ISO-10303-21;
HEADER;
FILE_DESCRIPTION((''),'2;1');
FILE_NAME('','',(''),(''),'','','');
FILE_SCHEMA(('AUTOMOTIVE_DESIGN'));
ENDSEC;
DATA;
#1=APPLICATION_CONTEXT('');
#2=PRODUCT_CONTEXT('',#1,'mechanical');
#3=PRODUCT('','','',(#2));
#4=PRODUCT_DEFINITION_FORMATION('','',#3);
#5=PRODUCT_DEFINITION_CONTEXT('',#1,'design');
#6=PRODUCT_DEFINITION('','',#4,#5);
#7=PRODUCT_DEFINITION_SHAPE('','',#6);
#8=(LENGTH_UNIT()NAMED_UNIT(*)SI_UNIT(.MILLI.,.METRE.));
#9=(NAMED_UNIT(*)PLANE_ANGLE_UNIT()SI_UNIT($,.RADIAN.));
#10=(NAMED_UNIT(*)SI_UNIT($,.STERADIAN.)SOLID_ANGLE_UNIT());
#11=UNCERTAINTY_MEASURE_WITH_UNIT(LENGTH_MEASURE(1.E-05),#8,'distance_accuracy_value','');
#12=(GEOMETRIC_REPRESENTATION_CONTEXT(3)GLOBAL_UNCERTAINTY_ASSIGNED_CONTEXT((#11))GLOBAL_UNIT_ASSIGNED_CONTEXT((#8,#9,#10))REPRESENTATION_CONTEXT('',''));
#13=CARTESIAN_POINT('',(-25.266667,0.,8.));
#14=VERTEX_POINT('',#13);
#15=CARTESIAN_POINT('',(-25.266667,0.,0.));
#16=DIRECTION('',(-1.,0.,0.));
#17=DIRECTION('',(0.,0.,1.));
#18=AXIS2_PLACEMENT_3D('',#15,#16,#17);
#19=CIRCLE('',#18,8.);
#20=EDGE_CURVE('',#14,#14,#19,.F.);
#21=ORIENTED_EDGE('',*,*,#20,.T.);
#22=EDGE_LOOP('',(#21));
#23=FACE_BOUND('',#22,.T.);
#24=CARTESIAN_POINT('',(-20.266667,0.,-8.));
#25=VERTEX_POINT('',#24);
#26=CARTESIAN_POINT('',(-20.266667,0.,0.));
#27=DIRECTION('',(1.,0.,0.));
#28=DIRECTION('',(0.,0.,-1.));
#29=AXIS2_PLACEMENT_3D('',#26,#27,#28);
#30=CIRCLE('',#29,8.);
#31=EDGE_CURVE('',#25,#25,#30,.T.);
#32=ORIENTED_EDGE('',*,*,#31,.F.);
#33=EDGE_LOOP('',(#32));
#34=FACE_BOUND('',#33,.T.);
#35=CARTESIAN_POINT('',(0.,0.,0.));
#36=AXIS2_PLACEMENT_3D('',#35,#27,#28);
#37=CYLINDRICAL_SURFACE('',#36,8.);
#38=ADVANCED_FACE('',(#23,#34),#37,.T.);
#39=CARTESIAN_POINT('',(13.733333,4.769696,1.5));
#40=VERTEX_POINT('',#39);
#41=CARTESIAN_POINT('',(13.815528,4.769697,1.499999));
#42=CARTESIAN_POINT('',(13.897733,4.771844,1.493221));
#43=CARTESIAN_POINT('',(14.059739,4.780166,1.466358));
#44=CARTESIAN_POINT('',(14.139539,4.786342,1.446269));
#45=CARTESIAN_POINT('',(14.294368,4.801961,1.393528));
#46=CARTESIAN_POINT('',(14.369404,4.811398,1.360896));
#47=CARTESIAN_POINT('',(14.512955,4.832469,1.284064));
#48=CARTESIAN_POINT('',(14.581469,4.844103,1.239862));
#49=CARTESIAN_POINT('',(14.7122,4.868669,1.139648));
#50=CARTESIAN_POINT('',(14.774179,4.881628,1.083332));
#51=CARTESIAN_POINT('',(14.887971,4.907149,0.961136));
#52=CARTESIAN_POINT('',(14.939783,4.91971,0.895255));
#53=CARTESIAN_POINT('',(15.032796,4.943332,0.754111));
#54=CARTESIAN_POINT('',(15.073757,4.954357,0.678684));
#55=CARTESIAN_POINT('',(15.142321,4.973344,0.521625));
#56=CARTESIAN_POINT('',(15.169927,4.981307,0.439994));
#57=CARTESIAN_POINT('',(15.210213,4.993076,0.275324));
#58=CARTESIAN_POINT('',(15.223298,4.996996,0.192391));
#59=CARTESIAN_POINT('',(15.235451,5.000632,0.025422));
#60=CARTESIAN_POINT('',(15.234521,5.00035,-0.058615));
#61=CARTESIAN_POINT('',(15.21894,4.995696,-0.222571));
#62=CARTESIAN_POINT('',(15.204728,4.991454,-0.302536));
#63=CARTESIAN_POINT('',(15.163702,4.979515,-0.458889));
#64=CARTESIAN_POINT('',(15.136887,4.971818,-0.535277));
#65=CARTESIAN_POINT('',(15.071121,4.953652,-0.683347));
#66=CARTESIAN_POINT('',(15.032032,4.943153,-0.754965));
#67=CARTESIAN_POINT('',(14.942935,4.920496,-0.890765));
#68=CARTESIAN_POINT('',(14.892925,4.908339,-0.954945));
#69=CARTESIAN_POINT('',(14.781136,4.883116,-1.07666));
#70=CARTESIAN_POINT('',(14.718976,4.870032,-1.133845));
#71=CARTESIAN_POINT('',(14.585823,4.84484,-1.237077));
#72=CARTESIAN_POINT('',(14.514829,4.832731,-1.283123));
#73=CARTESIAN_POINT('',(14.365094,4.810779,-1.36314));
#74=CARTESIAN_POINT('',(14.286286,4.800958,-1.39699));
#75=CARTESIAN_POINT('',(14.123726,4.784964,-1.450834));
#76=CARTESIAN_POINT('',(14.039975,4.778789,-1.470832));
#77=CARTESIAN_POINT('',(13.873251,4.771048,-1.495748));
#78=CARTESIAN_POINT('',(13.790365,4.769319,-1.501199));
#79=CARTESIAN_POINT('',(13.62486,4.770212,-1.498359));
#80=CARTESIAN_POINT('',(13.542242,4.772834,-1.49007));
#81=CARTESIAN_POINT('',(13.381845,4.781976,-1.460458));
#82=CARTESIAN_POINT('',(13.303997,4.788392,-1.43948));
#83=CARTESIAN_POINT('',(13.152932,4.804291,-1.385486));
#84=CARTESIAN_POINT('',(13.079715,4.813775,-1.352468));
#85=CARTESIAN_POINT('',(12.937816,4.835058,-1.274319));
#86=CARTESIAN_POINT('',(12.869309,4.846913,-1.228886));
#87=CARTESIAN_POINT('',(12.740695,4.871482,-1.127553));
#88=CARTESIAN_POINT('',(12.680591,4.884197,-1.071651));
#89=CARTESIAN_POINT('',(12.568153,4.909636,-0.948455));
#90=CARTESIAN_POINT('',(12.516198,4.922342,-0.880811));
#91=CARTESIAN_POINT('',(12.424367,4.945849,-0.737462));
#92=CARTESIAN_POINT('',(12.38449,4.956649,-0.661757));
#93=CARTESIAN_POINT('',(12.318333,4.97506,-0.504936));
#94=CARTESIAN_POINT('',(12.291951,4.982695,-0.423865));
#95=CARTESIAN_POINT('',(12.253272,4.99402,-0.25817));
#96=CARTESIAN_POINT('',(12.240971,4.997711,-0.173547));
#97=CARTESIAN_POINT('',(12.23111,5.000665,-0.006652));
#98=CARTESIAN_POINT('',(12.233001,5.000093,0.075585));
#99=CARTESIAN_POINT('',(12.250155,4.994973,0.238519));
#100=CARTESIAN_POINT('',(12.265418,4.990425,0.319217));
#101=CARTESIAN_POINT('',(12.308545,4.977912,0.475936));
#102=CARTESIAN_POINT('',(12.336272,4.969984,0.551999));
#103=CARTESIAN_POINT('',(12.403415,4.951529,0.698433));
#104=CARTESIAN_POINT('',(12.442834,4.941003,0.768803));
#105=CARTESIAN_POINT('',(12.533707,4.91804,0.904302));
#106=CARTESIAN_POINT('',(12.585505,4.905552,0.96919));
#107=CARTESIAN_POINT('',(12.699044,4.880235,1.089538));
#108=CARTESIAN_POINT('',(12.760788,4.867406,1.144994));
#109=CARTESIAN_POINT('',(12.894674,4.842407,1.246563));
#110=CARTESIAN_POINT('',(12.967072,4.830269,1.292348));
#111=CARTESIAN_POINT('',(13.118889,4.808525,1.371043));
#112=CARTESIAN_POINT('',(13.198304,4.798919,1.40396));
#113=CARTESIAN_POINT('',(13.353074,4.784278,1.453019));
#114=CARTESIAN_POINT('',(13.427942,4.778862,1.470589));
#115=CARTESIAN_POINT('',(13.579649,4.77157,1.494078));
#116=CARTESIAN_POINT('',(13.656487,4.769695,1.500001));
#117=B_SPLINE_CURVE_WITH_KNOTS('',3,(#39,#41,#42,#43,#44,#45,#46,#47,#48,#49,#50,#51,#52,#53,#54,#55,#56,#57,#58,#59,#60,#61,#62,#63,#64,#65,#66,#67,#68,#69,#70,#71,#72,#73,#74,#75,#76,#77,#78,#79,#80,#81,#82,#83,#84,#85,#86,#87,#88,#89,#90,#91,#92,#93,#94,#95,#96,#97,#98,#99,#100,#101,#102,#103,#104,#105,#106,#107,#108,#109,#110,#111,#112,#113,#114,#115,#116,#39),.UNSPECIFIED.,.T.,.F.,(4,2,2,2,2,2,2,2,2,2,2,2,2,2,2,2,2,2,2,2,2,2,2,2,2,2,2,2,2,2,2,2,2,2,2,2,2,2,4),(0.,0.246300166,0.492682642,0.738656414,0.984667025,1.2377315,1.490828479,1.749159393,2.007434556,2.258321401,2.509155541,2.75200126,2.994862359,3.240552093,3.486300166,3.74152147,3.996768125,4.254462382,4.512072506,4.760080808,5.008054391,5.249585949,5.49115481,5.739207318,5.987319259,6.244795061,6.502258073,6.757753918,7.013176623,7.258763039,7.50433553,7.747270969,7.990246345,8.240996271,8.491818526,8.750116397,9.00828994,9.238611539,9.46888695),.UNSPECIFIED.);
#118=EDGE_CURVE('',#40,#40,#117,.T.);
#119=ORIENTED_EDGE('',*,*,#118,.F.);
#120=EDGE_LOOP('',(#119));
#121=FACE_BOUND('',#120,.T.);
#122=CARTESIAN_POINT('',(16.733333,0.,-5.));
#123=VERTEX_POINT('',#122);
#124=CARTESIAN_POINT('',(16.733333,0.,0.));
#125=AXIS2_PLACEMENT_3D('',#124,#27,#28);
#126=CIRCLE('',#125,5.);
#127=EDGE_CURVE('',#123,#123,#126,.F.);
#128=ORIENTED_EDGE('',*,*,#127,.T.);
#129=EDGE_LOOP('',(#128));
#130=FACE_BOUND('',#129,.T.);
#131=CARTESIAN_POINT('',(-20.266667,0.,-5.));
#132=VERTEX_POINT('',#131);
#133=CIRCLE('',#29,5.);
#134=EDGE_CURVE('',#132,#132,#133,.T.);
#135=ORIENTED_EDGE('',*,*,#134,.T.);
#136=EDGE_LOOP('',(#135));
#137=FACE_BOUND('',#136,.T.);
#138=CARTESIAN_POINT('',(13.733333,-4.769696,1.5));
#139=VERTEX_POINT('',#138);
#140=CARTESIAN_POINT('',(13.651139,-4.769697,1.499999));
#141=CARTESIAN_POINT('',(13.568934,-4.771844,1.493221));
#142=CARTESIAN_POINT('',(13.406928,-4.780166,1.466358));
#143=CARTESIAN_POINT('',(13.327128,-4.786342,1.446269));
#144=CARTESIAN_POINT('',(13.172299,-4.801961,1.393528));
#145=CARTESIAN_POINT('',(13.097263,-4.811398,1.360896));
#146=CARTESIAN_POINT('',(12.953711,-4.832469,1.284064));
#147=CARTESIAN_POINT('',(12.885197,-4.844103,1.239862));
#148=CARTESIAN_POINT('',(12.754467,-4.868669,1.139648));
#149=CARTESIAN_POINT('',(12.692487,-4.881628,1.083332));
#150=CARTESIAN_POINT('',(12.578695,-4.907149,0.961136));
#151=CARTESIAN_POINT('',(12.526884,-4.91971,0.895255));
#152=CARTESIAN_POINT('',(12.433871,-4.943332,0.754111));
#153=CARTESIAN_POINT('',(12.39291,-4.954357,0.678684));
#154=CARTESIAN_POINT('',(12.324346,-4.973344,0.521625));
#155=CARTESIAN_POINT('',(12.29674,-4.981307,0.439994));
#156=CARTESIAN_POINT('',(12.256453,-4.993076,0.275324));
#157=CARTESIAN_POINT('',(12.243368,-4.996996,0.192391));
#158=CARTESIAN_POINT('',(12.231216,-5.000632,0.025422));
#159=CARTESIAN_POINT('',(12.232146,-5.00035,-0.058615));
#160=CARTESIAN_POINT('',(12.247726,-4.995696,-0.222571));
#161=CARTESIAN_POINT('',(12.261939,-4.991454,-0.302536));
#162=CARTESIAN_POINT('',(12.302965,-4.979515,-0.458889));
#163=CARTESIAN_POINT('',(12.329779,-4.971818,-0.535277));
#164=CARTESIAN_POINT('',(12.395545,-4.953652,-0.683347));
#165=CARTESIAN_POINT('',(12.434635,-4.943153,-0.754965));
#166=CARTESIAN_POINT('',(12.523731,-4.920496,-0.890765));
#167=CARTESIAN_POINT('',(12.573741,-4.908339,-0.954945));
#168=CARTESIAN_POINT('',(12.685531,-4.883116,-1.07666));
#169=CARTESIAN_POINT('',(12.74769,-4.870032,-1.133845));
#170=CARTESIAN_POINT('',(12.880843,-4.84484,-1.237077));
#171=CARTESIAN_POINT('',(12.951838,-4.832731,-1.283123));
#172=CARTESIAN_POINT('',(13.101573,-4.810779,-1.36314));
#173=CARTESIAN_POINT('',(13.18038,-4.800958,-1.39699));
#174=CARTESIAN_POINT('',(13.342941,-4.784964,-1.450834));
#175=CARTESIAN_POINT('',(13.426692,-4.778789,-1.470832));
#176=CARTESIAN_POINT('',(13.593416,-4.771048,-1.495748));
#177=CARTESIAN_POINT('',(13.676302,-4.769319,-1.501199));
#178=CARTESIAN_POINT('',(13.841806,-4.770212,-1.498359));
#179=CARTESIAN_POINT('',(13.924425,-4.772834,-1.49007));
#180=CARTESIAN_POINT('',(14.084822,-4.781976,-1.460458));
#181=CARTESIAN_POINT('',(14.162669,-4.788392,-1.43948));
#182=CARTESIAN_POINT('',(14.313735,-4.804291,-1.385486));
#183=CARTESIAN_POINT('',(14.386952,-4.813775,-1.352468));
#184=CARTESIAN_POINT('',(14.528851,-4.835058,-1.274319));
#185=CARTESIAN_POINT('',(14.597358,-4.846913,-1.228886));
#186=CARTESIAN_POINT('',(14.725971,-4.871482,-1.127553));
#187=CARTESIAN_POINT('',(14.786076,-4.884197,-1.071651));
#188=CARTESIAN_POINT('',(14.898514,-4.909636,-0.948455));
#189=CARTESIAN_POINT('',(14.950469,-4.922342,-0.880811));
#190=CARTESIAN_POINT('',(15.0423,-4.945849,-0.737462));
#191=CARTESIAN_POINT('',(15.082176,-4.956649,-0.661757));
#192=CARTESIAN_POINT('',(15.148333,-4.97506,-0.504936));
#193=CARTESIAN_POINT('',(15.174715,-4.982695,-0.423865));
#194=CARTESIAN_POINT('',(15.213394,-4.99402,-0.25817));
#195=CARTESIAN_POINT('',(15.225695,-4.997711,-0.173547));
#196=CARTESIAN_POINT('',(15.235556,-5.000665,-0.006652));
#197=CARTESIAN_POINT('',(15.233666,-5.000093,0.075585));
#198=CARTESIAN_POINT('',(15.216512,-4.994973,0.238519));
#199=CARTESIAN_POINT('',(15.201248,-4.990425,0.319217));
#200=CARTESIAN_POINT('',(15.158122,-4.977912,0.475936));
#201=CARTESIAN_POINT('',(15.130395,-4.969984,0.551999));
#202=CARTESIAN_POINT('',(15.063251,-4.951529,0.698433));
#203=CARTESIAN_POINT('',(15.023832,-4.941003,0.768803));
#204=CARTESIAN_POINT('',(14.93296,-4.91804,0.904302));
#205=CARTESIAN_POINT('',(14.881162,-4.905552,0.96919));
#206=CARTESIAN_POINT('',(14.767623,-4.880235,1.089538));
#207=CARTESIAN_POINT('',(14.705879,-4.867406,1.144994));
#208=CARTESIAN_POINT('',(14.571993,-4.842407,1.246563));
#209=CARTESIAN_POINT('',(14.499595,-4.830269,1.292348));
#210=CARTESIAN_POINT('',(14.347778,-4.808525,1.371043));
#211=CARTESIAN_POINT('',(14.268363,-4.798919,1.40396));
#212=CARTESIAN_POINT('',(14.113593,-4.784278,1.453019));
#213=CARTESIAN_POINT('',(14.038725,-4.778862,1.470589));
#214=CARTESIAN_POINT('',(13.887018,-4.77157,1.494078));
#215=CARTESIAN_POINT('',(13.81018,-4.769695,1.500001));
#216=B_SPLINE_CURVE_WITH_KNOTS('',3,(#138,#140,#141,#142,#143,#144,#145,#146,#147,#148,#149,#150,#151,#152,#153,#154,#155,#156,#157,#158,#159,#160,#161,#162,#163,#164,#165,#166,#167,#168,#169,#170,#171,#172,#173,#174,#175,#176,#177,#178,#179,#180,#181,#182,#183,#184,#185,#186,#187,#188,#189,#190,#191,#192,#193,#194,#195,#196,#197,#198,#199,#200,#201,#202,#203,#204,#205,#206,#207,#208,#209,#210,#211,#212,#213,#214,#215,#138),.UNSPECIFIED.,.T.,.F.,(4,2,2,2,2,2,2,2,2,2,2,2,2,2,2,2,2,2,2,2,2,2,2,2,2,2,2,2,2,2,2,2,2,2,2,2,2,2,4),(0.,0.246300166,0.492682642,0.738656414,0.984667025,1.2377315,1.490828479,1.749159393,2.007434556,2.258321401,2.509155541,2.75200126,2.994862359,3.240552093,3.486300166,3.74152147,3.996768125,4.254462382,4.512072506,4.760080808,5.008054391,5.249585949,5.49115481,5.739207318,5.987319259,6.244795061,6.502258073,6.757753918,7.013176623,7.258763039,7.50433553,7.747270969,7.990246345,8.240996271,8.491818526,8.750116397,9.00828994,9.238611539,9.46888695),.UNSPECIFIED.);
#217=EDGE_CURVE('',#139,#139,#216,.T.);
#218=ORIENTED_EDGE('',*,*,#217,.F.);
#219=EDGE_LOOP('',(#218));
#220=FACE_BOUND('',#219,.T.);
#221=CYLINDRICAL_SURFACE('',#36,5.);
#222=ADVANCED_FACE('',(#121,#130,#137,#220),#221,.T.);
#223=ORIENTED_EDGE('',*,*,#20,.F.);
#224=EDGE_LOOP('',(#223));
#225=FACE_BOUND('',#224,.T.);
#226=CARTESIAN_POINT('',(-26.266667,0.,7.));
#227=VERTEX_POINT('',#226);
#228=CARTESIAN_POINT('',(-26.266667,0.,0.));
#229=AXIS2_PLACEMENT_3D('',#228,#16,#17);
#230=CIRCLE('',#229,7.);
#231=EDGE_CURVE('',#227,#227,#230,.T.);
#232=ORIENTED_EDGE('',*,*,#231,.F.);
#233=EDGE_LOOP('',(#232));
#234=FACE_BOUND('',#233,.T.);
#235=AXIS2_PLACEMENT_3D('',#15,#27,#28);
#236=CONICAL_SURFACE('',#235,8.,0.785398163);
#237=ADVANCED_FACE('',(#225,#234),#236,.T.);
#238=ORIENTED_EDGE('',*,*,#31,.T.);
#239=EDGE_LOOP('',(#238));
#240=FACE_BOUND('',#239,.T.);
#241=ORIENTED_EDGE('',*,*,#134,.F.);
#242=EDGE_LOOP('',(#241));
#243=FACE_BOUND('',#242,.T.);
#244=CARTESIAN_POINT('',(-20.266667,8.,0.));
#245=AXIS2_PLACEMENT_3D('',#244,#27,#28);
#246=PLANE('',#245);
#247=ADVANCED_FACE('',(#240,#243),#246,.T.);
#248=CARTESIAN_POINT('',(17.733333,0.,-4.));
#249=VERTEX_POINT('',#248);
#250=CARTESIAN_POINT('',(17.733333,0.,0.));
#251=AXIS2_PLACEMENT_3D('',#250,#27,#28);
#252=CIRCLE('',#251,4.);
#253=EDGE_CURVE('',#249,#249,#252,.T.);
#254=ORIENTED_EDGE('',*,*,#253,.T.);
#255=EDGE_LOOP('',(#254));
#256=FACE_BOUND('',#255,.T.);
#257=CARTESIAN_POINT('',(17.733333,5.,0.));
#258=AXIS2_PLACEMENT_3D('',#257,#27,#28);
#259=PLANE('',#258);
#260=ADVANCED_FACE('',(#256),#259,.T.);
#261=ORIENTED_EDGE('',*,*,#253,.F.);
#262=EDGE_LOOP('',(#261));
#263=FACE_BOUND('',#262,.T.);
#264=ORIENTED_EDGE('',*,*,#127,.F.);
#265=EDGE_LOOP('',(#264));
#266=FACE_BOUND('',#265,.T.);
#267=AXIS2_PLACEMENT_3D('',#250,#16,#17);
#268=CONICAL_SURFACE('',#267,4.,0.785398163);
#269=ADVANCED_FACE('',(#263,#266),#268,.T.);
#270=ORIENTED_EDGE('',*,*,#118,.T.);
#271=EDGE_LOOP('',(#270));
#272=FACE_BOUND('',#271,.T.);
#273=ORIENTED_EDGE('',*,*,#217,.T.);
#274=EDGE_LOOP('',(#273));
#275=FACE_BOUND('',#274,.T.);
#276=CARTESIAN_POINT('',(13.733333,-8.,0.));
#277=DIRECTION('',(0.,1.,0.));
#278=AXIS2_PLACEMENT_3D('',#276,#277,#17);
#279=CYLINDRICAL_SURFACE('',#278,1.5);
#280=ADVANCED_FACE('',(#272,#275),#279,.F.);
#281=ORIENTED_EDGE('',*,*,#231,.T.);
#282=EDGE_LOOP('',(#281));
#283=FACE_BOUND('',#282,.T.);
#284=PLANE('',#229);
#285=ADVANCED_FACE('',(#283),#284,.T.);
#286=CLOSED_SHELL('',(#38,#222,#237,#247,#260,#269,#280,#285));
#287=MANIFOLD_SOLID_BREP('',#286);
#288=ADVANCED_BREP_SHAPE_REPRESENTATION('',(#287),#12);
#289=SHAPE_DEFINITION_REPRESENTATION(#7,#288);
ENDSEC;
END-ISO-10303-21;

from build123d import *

# Parameters (mm, degrees)
CHAMFER_1_SIZE           = 1
CHAMFER_2_SIZE           = 1
CUT_EXTRUDE_2_DEPTH      = 29.599611497
CUT_EXTRUDE_2_DEPTH_BACK = 29.599611497
SKETCH_2_R               = 1.5


with BuildPart() as part:
    # 草图1 → 旋转1 (revolve)
    with BuildSketch(Plane.XY, mode=Mode.PRIVATE) as revolve_1_sk:
        Polygon((-26.266666667, 0), (-26.266666667, 8), (-20.266666667, 8), (-20.266666667, 5), (17.733333333, 5), (17.733333333, 0), align=None)
    revolve(revolve_1_sk.sketch.rotate(Axis((0, 0, 0), (-1, 0, 0)), 90), axis=Axis((0, 0, 0), (-1, 0, 0)))

    # 倒角1
    chamfer_1_edges = [part.edges().sort_by_distance(p)[0] for p in [
        (17.733333333, 0, 5),
    ]]
    chamfer(chamfer_1_edges, length=CHAMFER_1_SIZE)

    # 倒角2
    chamfer_2_edges = [part.edges().sort_by_distance(p)[0] for p in [
        (-26.266666667, 0, 8),
    ]]
    chamfer(chamfer_2_edges, length=CHAMFER_2_SIZE)

    # 草图2 → 切除-拉伸2 (cut, two sides: drawn at the far end of the back side and taken through both)
    with BuildSketch(Plane(origin=(0, 0, 0), x_dir=(1, 0, 0), z_dir=(0, 1, 0)).offset(-CUT_EXTRUDE_2_DEPTH_BACK)):
        with Locations(Location((13.733333333, 0, 0), (0, 0, 270))):
            Circle(SKETCH_2_R)
    extrude(amount=CUT_EXTRUDE_2_DEPTH + CUT_EXTRUDE_2_DEPTH_BACK, mode=Mode.SUBTRACT)


solid = part.part
